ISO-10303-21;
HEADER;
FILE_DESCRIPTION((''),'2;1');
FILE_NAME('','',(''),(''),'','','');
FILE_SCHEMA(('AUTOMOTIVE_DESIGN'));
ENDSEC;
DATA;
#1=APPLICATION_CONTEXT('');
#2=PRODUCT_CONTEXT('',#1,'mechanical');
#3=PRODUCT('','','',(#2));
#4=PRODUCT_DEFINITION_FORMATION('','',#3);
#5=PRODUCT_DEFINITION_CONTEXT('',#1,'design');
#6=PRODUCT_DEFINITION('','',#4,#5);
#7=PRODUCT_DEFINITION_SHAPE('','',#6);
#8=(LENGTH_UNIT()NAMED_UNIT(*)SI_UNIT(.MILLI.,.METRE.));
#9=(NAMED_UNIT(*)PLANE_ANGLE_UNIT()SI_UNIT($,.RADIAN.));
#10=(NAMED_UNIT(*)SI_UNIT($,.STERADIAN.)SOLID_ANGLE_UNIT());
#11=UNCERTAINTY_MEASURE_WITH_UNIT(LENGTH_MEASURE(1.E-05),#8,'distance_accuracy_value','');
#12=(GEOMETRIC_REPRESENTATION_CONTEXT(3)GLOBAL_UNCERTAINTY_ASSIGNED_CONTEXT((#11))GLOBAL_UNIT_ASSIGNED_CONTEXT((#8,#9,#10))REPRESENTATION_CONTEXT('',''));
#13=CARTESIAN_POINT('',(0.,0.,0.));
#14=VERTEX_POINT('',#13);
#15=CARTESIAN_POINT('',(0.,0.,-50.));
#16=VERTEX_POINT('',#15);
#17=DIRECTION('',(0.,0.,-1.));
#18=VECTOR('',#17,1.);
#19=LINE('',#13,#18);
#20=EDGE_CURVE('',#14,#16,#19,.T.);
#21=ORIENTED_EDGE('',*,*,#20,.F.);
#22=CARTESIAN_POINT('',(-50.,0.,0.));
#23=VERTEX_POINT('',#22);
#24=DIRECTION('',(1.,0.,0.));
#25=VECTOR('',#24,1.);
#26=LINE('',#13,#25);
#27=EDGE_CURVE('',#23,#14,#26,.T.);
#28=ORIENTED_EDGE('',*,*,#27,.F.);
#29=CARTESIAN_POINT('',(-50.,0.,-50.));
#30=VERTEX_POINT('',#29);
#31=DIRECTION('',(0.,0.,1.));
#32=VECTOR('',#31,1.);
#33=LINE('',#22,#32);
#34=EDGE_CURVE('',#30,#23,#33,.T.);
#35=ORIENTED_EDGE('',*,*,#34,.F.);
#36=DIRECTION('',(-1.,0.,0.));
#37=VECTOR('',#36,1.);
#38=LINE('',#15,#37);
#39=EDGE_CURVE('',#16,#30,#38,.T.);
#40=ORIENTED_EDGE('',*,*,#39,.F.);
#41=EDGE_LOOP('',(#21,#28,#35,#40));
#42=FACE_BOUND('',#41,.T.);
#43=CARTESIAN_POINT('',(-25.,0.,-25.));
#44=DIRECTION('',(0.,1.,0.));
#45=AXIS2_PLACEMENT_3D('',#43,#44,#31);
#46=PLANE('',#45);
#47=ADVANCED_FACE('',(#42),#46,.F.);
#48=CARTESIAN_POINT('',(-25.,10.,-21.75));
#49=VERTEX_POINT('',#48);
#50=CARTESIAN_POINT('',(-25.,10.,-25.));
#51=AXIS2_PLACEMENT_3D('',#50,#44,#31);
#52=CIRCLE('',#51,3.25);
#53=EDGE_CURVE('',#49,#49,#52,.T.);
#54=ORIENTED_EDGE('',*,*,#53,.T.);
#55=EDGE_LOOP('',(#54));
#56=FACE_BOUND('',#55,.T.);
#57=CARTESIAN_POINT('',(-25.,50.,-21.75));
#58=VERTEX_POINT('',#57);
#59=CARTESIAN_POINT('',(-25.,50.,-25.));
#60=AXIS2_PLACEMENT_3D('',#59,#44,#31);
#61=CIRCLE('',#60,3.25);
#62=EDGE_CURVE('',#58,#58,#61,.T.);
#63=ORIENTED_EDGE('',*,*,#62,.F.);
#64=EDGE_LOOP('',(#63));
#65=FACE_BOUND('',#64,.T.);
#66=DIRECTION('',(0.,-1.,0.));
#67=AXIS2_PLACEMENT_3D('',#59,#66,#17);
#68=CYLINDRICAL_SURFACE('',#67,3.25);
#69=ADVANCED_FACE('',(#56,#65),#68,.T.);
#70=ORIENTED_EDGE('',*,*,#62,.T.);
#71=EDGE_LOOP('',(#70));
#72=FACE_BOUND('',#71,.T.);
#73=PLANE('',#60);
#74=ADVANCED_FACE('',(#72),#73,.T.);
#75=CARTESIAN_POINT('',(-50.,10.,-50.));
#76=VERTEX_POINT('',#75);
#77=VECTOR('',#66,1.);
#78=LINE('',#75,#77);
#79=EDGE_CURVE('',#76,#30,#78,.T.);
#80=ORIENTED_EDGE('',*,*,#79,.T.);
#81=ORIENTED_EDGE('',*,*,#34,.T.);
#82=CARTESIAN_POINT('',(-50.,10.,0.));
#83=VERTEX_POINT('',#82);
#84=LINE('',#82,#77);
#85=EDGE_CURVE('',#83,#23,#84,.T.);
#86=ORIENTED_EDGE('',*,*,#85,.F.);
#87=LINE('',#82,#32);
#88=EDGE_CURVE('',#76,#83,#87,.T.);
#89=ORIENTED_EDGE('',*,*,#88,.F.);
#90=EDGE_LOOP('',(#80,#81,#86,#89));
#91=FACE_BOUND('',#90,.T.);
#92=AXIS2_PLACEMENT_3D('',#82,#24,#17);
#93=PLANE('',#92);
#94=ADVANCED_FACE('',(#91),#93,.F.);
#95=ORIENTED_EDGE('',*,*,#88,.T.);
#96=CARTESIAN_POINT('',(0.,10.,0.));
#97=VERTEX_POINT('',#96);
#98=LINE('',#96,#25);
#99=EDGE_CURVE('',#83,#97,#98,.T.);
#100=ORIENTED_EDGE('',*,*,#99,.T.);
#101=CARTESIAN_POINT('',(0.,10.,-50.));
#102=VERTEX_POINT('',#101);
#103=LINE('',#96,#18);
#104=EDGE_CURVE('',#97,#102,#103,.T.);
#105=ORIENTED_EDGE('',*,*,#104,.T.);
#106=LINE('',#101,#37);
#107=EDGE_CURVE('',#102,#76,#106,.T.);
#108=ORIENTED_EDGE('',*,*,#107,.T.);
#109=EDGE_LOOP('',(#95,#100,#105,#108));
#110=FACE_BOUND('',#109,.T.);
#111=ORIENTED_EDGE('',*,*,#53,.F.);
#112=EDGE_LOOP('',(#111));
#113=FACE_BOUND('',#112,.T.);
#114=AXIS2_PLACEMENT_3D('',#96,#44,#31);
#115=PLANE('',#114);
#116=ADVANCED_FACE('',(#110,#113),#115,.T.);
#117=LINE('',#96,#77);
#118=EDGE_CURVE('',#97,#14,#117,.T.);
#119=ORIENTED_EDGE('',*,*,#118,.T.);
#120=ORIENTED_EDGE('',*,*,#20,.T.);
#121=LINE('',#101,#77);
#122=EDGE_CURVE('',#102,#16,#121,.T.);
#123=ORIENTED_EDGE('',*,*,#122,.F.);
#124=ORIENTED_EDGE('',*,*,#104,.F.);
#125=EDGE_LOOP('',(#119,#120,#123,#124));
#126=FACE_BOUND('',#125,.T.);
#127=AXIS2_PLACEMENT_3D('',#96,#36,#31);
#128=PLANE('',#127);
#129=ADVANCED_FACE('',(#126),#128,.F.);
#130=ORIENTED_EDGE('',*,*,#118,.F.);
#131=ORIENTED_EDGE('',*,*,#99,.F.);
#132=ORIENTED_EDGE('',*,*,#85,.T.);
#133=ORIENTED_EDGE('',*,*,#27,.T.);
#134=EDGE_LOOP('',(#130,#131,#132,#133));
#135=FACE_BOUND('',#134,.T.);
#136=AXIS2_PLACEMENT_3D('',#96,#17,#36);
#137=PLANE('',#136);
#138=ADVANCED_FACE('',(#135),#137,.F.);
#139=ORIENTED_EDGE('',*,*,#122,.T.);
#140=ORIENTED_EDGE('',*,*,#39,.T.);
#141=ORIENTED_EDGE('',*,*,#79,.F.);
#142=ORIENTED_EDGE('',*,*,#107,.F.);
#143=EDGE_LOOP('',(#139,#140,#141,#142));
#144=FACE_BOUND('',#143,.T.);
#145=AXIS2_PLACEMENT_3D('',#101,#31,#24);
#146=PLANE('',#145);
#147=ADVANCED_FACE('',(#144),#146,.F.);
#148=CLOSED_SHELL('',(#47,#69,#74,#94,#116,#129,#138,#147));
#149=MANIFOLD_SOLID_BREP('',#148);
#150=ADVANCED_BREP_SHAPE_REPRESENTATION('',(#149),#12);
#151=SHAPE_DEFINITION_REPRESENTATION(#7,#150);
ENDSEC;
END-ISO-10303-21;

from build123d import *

# Parameters (mm, degrees)
SKETCH1_R           = 3.25
BOSS_EXTRUDE2_DEPTH = 50
SKETCH1_5_W         = 50
SKETCH1_5_H         = 50
SKETCH1_5_R         = 3.25
BOSS_EXTRUDE3_DEPTH = 10


with BuildPart() as part:
    # Sketch1 → Boss-Extrude2 (new body)
    with BuildSketch(Plane(origin=(0, 0, 0), x_dir=(1, 0, 0), z_dir=(0, 1, 0))):
        with Locations((-25, 25)):
            Circle(SKETCH1_R)
    extrude(amount=BOSS_EXTRUDE2_DEPTH)

    # Sketch1<5> → Boss-Extrude3 (add)
    with BuildSketch(Plane(origin=(0, 0, 0), x_dir=(1, 0, 0), z_dir=(0, 1, 0))):
        with Locations((-25, 25)):
            Rectangle(SKETCH1_5_W, SKETCH1_5_H)
        with Locations((-25, 25)):
            Circle(SKETCH1_5_R, mode=Mode.SUBTRACT)
    extrude(amount=BOSS_EXTRUDE3_DEPTH)


solid = part.part
